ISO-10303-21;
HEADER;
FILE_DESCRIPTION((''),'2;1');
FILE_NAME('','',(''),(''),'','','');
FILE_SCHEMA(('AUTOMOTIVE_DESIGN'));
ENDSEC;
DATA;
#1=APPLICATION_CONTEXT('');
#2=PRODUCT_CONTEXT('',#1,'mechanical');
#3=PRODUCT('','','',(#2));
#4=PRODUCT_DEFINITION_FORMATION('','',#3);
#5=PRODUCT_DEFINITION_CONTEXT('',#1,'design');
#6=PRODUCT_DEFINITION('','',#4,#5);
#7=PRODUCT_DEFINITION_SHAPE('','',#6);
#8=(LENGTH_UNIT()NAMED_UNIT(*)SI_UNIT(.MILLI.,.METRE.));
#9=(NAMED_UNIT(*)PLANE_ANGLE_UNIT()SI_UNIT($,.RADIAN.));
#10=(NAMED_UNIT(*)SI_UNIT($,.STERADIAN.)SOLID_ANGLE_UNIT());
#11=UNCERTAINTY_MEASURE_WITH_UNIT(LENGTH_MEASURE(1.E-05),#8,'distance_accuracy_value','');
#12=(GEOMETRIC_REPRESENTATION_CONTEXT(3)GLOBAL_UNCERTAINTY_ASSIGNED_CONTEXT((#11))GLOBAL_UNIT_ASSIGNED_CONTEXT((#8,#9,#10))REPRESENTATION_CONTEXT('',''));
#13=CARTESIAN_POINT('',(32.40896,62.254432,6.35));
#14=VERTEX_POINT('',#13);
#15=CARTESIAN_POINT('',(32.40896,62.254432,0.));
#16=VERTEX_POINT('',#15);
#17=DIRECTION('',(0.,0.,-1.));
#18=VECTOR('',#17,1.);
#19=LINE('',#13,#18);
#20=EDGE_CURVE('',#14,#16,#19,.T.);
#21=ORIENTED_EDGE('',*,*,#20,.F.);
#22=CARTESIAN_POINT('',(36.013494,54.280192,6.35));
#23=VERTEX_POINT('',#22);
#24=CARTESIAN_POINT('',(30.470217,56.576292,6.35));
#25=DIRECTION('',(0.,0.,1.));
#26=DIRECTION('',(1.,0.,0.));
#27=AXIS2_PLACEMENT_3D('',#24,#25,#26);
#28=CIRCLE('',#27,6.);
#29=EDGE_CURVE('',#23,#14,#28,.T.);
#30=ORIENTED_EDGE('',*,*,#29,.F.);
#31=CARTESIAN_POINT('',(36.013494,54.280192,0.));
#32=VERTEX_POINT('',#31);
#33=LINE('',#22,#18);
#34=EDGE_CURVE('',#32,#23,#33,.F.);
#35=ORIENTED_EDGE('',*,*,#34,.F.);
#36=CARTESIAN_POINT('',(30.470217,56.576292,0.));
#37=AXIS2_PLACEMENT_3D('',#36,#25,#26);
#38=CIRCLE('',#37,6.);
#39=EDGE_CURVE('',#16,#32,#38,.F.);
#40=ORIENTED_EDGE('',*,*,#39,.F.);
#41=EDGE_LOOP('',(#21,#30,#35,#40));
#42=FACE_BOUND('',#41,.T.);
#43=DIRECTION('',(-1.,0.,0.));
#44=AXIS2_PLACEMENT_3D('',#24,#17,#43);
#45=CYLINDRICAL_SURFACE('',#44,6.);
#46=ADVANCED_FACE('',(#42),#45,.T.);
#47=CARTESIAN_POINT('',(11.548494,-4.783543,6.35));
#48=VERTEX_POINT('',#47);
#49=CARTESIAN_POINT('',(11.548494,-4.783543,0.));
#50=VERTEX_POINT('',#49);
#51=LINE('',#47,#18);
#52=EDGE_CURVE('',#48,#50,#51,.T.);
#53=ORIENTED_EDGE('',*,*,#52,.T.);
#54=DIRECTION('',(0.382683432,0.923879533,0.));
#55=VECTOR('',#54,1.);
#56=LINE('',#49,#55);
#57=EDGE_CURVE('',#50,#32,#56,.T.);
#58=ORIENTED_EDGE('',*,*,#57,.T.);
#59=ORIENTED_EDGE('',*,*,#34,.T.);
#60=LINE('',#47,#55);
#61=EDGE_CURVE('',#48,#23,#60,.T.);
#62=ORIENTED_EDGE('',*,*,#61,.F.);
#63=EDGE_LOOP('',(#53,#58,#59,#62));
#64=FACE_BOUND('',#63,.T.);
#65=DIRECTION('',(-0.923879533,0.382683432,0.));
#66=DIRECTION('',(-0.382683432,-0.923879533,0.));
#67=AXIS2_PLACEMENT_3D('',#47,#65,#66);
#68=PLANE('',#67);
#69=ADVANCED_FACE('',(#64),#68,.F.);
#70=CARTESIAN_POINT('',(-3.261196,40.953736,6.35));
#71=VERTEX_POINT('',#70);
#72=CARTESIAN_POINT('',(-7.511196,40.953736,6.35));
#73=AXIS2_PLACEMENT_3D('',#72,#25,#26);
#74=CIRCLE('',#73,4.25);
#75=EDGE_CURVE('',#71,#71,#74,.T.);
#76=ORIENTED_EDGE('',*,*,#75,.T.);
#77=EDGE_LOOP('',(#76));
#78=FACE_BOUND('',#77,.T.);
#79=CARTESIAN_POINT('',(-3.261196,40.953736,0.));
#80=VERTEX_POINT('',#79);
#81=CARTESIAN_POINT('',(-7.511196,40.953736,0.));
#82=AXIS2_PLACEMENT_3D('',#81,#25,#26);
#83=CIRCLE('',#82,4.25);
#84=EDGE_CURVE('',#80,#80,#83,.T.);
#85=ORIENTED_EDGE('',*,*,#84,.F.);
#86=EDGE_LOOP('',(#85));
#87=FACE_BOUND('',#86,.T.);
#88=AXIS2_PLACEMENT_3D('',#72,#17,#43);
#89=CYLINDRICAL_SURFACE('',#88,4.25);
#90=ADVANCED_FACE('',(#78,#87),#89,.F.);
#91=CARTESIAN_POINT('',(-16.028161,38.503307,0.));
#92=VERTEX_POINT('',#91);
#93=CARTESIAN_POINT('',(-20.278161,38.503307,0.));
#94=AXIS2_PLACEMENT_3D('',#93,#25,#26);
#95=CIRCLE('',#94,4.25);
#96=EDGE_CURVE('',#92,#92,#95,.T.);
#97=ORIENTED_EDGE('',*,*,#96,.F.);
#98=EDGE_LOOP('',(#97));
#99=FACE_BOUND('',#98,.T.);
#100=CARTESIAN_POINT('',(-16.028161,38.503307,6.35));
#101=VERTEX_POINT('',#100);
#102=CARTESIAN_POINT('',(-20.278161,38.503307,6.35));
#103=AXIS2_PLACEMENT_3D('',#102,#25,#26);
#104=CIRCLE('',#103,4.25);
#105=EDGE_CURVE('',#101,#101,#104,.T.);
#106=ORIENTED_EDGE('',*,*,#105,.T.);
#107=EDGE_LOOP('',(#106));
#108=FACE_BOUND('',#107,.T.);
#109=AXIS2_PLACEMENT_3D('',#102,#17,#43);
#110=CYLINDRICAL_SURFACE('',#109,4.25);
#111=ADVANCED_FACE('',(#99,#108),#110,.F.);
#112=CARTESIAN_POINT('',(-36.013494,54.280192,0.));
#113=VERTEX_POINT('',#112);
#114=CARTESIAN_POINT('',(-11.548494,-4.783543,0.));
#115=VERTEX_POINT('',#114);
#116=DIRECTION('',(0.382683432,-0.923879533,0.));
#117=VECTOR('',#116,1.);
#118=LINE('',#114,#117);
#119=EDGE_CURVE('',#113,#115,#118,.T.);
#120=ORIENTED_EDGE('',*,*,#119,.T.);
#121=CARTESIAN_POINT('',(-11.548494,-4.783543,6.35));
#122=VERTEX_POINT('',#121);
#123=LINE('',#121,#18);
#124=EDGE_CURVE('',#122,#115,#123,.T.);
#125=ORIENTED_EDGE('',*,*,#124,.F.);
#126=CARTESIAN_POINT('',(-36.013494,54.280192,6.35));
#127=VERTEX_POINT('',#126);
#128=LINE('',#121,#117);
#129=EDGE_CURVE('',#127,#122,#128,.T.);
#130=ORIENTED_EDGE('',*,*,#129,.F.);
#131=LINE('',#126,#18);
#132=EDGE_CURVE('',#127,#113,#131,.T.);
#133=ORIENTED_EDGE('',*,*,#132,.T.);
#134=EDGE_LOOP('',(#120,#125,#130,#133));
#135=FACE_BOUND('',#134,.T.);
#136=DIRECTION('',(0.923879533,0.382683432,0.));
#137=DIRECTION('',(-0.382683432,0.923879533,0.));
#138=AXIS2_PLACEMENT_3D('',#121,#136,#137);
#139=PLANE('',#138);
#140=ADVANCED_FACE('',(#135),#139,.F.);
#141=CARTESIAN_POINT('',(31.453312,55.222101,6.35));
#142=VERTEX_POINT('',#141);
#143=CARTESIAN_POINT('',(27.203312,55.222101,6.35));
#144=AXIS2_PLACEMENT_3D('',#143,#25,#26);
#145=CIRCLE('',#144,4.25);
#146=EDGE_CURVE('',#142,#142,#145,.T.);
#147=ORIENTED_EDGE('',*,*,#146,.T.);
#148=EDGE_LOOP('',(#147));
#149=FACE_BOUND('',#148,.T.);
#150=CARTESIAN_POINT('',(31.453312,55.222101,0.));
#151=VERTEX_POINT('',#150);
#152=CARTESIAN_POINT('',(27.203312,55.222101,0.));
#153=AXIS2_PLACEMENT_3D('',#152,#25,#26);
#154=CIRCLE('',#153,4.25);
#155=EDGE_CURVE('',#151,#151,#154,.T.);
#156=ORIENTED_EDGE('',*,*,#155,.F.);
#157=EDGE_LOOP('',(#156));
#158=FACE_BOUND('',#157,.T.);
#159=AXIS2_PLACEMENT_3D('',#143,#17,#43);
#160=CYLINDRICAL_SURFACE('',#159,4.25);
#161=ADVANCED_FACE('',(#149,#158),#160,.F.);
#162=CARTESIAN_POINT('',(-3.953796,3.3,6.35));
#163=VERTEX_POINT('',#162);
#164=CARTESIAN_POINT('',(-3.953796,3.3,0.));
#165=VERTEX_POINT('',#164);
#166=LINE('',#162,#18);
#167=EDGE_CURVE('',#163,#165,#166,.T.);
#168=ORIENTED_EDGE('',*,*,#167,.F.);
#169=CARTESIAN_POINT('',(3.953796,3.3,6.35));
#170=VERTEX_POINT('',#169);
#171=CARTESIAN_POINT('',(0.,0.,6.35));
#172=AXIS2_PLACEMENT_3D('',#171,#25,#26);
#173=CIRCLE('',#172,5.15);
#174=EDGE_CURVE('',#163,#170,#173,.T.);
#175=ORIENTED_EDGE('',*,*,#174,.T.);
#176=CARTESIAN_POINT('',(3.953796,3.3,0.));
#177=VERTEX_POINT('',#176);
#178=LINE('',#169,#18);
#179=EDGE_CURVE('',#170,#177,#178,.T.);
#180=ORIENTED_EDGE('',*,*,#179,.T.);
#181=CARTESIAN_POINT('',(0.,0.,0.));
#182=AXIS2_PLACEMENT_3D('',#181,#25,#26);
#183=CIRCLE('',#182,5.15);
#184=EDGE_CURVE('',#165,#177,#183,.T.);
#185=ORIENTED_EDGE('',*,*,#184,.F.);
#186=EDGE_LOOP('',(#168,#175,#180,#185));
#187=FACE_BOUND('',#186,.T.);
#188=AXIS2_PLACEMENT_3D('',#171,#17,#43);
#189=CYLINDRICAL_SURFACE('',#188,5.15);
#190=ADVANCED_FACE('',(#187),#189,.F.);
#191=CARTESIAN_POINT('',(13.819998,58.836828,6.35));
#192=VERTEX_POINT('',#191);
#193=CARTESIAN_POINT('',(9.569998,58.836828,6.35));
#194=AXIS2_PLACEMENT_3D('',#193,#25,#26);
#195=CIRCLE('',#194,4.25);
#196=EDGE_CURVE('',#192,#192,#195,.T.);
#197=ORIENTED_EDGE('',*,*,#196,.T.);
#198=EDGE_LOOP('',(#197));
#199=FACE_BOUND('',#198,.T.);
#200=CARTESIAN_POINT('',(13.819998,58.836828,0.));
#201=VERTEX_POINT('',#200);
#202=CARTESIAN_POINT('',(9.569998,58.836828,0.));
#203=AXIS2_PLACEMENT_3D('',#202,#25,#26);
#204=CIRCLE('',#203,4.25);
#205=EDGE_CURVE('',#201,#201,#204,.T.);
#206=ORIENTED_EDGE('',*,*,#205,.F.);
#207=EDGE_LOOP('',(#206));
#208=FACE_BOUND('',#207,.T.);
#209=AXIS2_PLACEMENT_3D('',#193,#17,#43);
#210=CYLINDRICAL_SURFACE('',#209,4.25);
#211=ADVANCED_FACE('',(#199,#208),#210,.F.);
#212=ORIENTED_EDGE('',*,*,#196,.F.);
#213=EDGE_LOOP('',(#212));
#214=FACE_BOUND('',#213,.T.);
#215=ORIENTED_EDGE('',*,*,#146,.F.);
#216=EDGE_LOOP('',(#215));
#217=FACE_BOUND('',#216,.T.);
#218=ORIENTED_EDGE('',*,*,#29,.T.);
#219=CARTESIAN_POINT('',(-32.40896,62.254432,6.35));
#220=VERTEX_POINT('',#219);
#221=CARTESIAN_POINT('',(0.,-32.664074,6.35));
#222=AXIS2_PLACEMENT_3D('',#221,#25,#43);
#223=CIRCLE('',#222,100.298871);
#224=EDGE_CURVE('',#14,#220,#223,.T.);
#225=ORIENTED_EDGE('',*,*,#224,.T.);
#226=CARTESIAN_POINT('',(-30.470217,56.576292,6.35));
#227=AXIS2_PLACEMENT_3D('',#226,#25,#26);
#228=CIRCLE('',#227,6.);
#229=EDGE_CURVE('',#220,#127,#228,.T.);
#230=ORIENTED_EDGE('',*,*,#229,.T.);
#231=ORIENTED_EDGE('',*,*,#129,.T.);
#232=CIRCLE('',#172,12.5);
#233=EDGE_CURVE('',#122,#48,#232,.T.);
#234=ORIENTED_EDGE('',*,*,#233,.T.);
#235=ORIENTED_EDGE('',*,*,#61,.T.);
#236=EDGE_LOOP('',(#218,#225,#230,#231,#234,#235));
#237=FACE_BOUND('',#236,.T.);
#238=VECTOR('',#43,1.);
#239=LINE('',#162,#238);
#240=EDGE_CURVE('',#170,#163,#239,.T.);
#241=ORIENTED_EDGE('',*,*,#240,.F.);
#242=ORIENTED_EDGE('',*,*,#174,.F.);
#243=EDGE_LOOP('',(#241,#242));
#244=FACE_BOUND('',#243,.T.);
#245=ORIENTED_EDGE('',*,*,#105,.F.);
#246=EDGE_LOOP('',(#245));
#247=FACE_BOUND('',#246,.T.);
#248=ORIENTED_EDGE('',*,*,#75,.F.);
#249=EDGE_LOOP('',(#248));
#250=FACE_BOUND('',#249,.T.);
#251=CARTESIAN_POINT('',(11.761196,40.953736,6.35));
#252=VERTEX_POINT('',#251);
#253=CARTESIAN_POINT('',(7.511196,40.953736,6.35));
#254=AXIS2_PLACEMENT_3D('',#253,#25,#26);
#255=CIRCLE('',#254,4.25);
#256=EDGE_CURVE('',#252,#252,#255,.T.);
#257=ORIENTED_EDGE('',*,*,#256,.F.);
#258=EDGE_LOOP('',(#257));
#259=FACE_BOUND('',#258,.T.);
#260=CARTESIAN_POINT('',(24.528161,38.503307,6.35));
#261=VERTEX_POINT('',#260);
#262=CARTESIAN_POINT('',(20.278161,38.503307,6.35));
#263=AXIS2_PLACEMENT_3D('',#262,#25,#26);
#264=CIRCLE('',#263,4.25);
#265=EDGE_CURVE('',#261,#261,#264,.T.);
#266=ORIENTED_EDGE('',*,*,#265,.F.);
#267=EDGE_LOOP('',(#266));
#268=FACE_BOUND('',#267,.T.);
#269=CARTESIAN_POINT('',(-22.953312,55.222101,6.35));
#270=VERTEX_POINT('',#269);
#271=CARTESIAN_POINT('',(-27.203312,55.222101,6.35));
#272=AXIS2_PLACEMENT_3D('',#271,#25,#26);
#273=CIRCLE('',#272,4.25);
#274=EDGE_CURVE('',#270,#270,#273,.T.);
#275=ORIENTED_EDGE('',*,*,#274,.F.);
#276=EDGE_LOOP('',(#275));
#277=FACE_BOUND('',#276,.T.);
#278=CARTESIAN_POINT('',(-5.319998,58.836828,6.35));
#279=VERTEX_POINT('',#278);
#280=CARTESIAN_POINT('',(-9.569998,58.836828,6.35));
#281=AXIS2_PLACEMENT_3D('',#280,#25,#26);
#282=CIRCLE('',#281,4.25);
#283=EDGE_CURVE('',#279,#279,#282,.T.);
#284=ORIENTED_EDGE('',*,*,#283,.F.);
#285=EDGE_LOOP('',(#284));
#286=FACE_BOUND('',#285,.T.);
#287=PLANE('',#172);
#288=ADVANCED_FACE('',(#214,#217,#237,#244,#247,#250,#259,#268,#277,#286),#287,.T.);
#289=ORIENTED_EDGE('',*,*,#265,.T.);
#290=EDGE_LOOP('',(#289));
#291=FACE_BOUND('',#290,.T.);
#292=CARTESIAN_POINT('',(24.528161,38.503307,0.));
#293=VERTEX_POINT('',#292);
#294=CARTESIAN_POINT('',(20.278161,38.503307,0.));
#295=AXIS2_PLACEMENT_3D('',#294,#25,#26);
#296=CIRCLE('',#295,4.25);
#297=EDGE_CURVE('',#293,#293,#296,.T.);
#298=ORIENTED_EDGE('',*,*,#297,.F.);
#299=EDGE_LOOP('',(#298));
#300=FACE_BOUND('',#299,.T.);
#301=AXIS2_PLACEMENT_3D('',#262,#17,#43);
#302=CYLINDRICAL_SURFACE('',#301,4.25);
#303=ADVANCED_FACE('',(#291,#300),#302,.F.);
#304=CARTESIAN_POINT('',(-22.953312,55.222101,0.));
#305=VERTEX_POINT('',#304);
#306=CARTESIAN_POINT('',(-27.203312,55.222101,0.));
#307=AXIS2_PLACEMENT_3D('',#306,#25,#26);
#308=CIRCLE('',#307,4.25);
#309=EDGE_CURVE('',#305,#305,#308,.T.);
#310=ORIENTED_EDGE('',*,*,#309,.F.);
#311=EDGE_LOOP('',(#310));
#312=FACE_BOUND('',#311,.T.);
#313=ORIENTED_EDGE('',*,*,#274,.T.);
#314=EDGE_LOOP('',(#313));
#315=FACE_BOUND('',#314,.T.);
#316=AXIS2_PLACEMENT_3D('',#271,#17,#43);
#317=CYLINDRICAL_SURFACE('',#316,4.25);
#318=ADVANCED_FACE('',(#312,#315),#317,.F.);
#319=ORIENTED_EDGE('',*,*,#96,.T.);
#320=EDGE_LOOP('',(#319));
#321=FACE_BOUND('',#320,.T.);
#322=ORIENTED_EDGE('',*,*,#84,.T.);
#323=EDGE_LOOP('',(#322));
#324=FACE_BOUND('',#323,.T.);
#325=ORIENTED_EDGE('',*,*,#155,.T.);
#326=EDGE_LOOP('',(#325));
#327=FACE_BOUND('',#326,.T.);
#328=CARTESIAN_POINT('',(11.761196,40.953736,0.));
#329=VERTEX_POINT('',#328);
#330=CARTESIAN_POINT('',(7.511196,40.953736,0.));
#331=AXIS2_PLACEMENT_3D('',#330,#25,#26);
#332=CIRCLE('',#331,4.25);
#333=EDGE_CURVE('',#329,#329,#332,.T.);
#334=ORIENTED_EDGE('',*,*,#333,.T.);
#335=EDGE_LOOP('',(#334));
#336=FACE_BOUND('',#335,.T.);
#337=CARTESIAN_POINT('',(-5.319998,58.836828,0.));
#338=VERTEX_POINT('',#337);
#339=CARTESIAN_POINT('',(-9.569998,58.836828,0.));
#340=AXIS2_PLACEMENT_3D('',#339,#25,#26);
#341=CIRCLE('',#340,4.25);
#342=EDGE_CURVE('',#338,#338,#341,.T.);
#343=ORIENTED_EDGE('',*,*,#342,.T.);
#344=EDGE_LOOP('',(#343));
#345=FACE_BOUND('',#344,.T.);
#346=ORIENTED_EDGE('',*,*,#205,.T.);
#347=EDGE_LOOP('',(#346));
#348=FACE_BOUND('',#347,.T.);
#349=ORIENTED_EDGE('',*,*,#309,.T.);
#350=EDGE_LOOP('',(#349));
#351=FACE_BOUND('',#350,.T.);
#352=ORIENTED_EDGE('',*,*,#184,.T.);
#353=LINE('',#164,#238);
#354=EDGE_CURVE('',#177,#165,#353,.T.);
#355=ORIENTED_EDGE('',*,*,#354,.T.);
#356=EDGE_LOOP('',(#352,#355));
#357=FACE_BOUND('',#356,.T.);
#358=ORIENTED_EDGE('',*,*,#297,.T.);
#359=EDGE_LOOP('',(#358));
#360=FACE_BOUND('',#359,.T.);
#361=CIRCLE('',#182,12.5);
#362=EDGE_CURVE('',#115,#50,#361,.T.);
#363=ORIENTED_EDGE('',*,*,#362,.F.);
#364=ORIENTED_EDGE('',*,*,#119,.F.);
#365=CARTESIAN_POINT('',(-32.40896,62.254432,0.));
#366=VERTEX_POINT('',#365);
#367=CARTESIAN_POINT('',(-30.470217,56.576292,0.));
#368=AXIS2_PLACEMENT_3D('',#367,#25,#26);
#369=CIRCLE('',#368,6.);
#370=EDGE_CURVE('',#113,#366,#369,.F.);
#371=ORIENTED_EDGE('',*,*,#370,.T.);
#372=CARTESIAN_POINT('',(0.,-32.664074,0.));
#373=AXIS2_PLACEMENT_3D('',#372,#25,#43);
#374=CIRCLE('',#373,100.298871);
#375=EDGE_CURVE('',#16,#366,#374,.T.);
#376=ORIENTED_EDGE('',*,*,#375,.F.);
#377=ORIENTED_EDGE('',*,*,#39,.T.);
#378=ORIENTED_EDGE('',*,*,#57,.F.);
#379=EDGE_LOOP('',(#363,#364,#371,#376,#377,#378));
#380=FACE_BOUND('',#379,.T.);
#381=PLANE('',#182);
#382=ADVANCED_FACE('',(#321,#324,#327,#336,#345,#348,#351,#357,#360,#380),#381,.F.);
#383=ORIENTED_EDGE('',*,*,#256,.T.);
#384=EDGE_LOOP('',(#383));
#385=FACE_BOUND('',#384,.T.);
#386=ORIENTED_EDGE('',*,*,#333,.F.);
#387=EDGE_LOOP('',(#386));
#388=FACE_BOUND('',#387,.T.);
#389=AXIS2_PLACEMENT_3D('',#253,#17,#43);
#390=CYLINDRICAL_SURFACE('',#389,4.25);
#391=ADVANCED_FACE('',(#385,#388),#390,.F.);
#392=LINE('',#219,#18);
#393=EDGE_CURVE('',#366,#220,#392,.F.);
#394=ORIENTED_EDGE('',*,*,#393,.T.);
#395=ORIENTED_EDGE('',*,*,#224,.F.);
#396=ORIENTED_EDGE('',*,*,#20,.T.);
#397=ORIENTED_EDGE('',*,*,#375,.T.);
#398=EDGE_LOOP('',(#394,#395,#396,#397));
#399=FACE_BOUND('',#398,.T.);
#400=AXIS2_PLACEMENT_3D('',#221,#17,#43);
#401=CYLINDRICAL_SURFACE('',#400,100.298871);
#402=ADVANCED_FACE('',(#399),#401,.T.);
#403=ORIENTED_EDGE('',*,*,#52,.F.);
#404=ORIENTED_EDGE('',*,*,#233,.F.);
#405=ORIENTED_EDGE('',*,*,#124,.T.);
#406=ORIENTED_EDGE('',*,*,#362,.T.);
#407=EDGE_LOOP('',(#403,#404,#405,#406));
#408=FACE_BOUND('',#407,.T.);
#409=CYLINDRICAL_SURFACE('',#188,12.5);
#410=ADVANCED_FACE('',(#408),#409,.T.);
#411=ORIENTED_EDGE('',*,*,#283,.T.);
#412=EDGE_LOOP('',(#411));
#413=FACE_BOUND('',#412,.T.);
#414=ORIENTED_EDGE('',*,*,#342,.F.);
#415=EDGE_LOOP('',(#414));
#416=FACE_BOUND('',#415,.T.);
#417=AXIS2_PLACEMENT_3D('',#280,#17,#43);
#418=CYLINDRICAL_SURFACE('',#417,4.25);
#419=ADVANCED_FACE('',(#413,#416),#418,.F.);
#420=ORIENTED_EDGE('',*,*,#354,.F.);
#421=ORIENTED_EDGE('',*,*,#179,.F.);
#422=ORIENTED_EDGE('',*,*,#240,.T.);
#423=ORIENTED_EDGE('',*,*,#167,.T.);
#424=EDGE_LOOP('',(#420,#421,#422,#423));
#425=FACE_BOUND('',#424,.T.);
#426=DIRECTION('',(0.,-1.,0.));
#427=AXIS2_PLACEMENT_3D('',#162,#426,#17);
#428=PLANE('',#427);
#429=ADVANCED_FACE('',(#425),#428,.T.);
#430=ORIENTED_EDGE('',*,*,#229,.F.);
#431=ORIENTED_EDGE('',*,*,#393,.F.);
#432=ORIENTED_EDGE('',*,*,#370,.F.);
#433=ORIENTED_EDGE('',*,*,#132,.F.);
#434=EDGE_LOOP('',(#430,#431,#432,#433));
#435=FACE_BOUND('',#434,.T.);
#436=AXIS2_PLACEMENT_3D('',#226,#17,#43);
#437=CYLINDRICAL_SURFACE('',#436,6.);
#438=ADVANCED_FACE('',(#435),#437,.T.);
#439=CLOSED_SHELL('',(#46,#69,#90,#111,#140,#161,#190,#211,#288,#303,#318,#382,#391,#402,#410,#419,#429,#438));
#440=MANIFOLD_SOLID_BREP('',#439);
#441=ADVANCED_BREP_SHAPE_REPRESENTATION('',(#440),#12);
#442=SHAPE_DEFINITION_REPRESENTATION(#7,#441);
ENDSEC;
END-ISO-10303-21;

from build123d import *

# Parameters (mm, degrees)
SKETCH2_R           = 4.25
BOSS_EXTRUDE1_DEPTH = 6.35
FILLET1_R           = 6


with BuildPart() as part:
    # Sketch2 → Boss-Extrude1 (new body)
    with BuildSketch(Plane.XY):
        with BuildLine():
            Line((11.548494156, -4.783542905), (38.382716246, 60))
            ThreePointArc((38.382716246, 60), (0, 67.634796955), (-38.382716246, 60))
            Line((-38.382716246, 60), (-11.548494156, -4.783542905))
            ThreePointArc((-11.548494156, -4.783542905), (0, -12.5), (11.548494156, -4.783542905))
        make_face()
        with Locations((-27.203312061, 55.222101201)):
            Circle(SKETCH2_R, mode=Mode.SUBTRACT)
        with Locations((-9.56999846, 58.836828221)):
            Circle(SKETCH2_R, mode=Mode.SUBTRACT)
        with Locations((9.56999846, 58.836828221)):
            Circle(SKETCH2_R, mode=Mode.SUBTRACT)
        with Locations((27.203312061, 55.222101201)):
            Circle(SKETCH2_R, mode=Mode.SUBTRACT)
        with Locations((-20.278160914, 38.503307381)):
            Circle(SKETCH2_R, mode=Mode.SUBTRACT)
        with Locations((-7.511195711, 40.953735809)):
            Circle(SKETCH2_R, mode=Mode.SUBTRACT)
        with Locations((7.511195711, 40.953735809)):
            Circle(SKETCH2_R, mode=Mode.SUBTRACT)
        with Locations((20.278160914, 38.503307381)):
            Circle(SKETCH2_R, mode=Mode.SUBTRACT)
        with BuildLine():
            Line((-3.953795645, 3.3), (3.953795645, 3.3))
            ThreePointArc((3.953795645, 3.3), (0, -5.15), (-3.953795645, 3.3))
        make_face(mode=Mode.SUBTRACT)
    extrude(amount=BOSS_EXTRUDE1_DEPTH)

    # Fillet1
    fillet1_edges = [part.edges().sort_by_distance(p)[0] for p in [
        (-38.382716246, 60, 3.175),
        (38.382716246, 60, 3.175),
    ]]
    fillet(fillet1_edges, radius=FILLET1_R)


solid = part.part
